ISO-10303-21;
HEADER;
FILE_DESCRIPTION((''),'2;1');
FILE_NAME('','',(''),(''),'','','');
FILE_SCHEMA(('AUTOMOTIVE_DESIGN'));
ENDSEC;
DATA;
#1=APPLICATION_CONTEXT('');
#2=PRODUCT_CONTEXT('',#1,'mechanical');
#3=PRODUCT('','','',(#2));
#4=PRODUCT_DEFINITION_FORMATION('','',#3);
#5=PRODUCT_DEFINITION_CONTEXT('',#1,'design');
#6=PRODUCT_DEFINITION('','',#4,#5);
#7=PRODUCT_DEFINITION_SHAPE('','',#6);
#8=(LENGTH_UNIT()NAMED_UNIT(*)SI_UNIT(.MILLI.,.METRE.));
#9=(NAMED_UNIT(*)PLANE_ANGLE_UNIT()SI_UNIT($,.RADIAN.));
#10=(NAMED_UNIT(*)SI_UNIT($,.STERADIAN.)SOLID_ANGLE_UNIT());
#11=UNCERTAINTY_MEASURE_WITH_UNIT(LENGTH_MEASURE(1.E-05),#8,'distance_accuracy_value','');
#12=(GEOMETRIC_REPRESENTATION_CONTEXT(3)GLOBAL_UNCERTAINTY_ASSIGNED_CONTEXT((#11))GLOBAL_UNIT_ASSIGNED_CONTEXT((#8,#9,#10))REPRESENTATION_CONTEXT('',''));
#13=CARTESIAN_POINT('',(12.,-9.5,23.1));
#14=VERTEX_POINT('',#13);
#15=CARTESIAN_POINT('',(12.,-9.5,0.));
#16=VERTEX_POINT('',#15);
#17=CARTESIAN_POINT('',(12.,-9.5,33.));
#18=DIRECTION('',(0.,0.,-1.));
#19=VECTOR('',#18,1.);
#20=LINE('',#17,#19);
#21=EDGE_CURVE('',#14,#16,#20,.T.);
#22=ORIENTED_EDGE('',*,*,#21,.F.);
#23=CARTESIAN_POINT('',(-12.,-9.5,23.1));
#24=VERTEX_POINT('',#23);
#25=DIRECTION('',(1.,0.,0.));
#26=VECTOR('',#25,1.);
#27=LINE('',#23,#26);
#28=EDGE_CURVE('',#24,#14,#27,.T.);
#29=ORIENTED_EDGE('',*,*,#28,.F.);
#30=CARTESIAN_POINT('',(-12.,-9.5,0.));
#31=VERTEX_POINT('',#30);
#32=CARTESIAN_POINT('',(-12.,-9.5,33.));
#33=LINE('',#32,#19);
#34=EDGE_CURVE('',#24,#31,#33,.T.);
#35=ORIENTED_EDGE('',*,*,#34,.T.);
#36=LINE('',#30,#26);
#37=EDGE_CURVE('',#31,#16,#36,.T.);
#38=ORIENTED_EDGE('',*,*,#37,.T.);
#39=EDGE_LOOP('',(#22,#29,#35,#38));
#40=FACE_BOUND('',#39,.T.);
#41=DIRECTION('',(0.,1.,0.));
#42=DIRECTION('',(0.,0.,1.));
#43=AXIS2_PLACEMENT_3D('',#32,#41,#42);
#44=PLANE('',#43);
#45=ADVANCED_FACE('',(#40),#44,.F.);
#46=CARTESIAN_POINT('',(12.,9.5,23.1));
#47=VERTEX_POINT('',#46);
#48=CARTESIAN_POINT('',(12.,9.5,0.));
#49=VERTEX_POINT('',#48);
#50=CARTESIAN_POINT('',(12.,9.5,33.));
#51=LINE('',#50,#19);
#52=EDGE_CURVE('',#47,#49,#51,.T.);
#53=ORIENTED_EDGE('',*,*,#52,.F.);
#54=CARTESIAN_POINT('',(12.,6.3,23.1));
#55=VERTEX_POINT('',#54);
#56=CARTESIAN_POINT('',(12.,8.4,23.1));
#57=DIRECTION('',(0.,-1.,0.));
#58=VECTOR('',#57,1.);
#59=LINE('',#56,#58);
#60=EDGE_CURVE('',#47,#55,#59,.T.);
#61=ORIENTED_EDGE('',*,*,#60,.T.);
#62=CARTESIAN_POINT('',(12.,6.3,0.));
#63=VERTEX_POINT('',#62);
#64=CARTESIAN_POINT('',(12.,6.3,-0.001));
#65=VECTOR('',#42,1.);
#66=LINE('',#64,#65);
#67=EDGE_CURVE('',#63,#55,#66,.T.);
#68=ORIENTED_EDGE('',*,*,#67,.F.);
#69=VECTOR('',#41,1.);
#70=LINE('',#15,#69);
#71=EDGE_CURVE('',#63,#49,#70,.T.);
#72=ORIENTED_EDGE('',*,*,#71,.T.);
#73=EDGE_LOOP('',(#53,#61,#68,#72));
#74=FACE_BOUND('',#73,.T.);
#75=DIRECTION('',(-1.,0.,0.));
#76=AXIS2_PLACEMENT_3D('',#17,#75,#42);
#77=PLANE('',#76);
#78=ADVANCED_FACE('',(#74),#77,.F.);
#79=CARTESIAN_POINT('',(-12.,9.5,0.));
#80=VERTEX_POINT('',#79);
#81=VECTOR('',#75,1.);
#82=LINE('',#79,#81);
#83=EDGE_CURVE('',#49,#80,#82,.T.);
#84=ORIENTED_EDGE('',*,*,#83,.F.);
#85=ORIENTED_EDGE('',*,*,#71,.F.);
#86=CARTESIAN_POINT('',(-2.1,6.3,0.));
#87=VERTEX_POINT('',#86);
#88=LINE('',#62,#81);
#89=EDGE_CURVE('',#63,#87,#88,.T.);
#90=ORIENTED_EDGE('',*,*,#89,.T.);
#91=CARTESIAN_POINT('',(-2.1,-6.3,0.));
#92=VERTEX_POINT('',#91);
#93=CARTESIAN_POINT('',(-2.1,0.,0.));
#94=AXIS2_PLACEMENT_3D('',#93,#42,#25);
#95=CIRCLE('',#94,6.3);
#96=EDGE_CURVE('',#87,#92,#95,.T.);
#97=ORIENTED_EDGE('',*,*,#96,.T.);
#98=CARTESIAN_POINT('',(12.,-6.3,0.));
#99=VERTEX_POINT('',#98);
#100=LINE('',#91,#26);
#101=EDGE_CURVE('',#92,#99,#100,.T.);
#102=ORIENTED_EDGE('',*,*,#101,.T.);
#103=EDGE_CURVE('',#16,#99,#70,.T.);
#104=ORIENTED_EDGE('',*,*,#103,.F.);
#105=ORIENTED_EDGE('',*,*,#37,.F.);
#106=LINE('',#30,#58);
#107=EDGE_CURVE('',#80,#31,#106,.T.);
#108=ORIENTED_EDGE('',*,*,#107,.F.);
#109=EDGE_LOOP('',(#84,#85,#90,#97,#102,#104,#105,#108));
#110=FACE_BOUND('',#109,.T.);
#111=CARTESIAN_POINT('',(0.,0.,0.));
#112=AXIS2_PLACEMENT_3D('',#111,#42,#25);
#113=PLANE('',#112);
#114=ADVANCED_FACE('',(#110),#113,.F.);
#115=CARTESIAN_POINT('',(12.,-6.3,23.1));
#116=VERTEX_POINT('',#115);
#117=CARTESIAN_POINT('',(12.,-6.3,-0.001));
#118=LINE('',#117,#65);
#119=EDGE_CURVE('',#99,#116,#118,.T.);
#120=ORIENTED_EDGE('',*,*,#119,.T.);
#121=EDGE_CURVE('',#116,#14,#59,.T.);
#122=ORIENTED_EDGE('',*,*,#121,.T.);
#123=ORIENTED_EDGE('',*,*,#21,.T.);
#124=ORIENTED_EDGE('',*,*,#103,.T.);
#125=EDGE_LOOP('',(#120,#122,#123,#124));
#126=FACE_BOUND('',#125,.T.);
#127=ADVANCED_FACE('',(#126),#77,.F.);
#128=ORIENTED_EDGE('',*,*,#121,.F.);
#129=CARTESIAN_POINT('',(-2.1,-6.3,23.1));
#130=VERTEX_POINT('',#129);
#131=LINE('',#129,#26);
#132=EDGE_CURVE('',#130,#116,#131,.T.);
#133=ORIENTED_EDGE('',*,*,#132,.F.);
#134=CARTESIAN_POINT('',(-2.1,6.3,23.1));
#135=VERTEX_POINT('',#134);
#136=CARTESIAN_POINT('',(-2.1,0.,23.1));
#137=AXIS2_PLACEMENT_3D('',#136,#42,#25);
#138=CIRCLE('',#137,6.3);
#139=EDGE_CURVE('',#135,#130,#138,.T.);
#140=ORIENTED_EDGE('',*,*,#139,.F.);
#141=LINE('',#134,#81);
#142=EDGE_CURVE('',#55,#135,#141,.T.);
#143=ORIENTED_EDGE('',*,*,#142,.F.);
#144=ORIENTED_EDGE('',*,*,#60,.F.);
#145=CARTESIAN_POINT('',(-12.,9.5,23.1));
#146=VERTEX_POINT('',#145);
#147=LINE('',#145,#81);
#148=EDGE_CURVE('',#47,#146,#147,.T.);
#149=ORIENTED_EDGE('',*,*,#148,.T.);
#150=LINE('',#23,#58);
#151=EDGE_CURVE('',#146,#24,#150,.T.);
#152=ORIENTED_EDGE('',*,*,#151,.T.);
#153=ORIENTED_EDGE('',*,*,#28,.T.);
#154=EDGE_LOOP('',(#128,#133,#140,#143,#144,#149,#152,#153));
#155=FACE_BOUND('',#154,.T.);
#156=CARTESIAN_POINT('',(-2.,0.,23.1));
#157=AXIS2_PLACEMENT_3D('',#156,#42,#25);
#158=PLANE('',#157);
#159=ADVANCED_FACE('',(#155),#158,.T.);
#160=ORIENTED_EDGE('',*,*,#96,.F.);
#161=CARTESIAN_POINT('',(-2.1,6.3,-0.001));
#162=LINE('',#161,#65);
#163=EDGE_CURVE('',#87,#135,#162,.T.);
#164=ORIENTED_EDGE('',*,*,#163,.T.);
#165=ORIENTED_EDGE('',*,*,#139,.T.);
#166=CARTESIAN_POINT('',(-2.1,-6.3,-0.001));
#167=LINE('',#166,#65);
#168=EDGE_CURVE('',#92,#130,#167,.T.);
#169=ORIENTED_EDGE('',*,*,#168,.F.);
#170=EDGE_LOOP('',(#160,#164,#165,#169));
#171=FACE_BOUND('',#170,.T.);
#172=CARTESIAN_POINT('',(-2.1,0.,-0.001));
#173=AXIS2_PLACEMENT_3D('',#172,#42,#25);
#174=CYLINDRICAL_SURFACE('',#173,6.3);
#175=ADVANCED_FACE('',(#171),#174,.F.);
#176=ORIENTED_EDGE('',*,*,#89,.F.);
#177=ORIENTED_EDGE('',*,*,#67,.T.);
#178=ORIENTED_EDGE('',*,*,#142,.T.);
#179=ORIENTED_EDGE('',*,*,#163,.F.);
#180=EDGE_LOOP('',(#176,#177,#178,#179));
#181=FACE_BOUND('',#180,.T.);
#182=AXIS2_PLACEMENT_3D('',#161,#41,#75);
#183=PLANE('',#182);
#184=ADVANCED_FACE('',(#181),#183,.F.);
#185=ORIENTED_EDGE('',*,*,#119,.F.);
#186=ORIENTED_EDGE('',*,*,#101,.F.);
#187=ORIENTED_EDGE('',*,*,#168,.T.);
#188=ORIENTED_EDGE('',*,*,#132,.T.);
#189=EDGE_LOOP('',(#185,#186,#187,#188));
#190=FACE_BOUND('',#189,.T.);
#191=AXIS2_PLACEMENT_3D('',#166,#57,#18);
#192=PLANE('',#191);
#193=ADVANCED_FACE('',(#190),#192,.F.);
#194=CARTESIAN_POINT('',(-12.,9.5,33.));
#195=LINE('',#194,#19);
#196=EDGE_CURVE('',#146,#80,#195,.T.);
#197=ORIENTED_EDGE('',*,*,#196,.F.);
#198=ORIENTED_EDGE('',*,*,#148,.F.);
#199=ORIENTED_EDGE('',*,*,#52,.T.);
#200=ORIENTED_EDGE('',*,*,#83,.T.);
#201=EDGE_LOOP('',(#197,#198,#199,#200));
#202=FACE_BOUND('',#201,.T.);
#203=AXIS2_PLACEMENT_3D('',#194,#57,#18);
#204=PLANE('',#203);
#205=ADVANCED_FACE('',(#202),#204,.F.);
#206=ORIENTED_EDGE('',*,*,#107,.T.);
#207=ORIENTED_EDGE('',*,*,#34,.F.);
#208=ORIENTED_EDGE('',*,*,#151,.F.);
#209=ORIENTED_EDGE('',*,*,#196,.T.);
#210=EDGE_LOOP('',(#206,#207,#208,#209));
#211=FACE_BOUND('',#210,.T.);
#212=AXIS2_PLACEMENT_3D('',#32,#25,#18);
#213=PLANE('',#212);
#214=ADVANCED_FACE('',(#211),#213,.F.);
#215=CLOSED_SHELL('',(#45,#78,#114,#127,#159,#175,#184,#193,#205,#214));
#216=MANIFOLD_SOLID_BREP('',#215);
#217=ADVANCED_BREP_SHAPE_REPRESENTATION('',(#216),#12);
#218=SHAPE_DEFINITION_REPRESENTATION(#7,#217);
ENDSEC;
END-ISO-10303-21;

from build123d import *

# Parameters (mm, degrees)
SKETCH_1_24X19_W         = 19
SKETCH_1_24X19_H         = 24
EXTRUDE_1_33_DEPTH       = 33
CUT_EXTRUDE_2_REACH      = 38.377
CUT_EXTRUDE_4_2_DEPTH    = 1.9
CUT_EXTRUDE_6_3_REACH    = 29.71
SKETCH_7_5_W             = 24
SKETCH_7_5_H             = 19
EXTRUDE_7_DEPTH          = 5
CUT_EXTRUDE_10_4_REACH   = 41.925
SKETCH_11_W              = 8.5
SKETCH_11_H              = 3.1
CUT_EXTRUDE_11_5_DEPTH   = 4.9
SKETCH_11D1_W            = 6
SKETCH_11D1_H            = 3.1
CUT_EXTRUDE_11D1_6_DEPTH = 10
CUT_EXTRUDE_12_9_REACH   = 31.655
CUT_EXTRUDE_11_DEPTH     = 3.5
SKETCH_5903_W            = 53.98
SKETCH_5903_H            = 19
CUT_EXTRUDE_12_DEPTH     = 1
CUT_EXTRUDE_13_DEPTH     = 40.102429623
CUT_EXTRUDE_15_REACH     = 33.036
SKETCH_5021_R            = 3.5
EXTRUDE_2_DEPTH          = 0.4
SKETCH_7445_W            = 0.8
SKETCH_7445_H            = 3.1
EXTRUDE_3_DEPTH          = 19
CUT_EXTRUDE_16_DEPTH     = 32.036269144
SKETCH_14_W              = 24
SKETCH_14_H              = 19
CUT_EXTRUDE_19_DEPTH     = 28.710286942


with BuildPart() as part:
    # 1底部方形_24x19 → 1凸台-拉伸_高33 (new body)
    with BuildSketch(Plane(origin=(0, 0, 0), x_dir=(0, 1, 0), z_dir=(0, 0, 1))):
        Rectangle(SKETCH_1_24X19_W, SKETCH_1_24X19_H)
    extrude(amount=EXTRUDE_1_33_DEPTH)

    # 2吸嘴停靠渐变槽 → 2切除-拉伸 (cut, up to next)
    with BuildSketch(Plane.XY.offset(33), mode=Mode.PRIVATE) as cut_extrude_2_sk1:
        with BuildLine():
            Line((12, -5.1), (12, 5.1))
            Line((12, 5.1), (-1.9, 5.1))
            add(Edge.make_bspline(
                [(-5.213938048, 3.830222216), (-3.829124073, 5.093205317), (-1.9, 5.1)],
                knots=[0, 0, 0, 1, 1, 1], degree=2))
            ThreePointArc((-5.213938048, 3.830222216), (-7, 0), (-5.213938048, -3.830222216))
            add(Edge.make_bspline(
                [(-5.213938048, -3.830222216), (-3.829124073, -5.093205317), (-1.9, -5.1)],
                knots=[0, 0, 0, 1, 1, 1], degree=2))
            Line((-1.9, -5.1), (12, -5.1))
        make_face()
    cut_extrude_2_tool1 = extrude(cut_extrude_2_sk1.sketch, amount=-CUT_EXTRUDE_2_REACH, mode=Mode.PRIVATE) & part.part
    add(cut_extrude_2_tool1.solids().sort_by_distance((3.017719, 0, 33))[0], mode=Mode.SUBTRACT)

    # 4反光板停靠槽 → 4切除-拉伸2 (cut)
    with BuildSketch(Plane.XY.offset(25)):
        with BuildLine():
            Line((-0.7, 8.4), (12, 8.4))
            Line((12, 8.4), (12, -8.4))
            Line((12, -8.4), (-0.7, -8.4))
            ThreePointArc((-0.7, -8.4), (-10.5, 0), (-0.7, 8.4))
        make_face()
    extrude(amount=-CUT_EXTRUDE_4_2_DEPTH, mode=Mode.SUBTRACT)

    # 6反光板小圆柱 → 6切除-拉伸3 (cut, up to next)
    with BuildSketch(Plane.XY.offset(23.1), mode=Mode.PRIVATE) as cut_extrude_6_3_sk1:
        with BuildLine():
            Line((-2.1, -6.3), (12, -6.3))
            Line((12, -6.3), (12, 6.3))
            Line((12, 6.3), (-2.1, 6.3))
            ThreePointArc((-2.1, 6.3), (-8.4, 0), (-2.1, -6.3))
        make_face()
    cut_extrude_6_3_tool1 = extrude(cut_extrude_6_3_sk1.sketch, amount=-CUT_EXTRUDE_6_3_REACH, mode=Mode.PRIVATE) & part.part
    add(cut_extrude_6_3_tool1.solids().sort_by_distance((2.424095, 0, 23.1))[0], mode=Mode.SUBTRACT)

    # 7草图5 → 7凸台-拉伸_底板厚度 (add)
    with BuildSketch(Plane(origin=(0, 0, 0), x_dir=(1, 0, 0), z_dir=(0, 0, -1))):
        Rectangle(SKETCH_7_5_W, SKETCH_7_5_H)
    extrude(amount=-EXTRUDE_7_DEPTH)

    # 10切除-拉伸4: up to this face of the body (flat: up to its plane)
    cut_extrude_10_4_end = Plane(part.part.faces().sort_by_distance((0, -9.5, 16.5))[0])
    # Sketch 10 → 10切除-拉伸4 (cut, up to the picked face)
    with BuildSketch(Plane(origin=(0, 9.5, 0), x_dir=(-1, 0, 0), z_dir=(0, 1, 0)), mode=Mode.PRIVATE) as cut_extrude_10_4_sk1:
        Polygon((-12, 31.162738066), (-12, 33), (9, 33), align=None)
    cut_extrude_10_4_tool1 = split(extrude(cut_extrude_10_4_sk1.sketch, amount=-CUT_EXTRUDE_10_4_REACH, mode=Mode.PRIVATE), bisect_by=cut_extrude_10_4_end, keep=Keep.BOTH, mode=Mode.PRIVATE)
    add(cut_extrude_10_4_tool1.solids().sort_by(Axis((5, 9.5, 32.387579), (0, -1, 0)))[0], mode=Mode.SUBTRACT)

    # Sketch 11 → 11切除-拉伸5 (cut)
    with BuildSketch(Plane(origin=(-12, 0, 0), x_dir=(0, -1, 0), z_dir=(-1, 0, 0))):
        with Locations((-5.25, 26.95)):
            Rectangle(SKETCH_11_W, SKETCH_11_H)
        with Locations((5.25, 26.95)):
            Rectangle(SKETCH_11_W, SKETCH_11_H)
    extrude(amount=-CUT_EXTRUDE_11_5_DEPTH, mode=Mode.SUBTRACT)

    # 11d1_磁铁开窗 → 11d1切除-拉伸6 (cut)
    with BuildSketch(Plane(origin=(-12, 0, 0), x_dir=(0, -1, 0), z_dir=(-1, 0, 0))):
        with Locations((0, 26.95)):
            Rectangle(SKETCH_11D1_W, SKETCH_11D1_H)
    extrude(amount=-CUT_EXTRUDE_11D1_6_DEPTH, mode=Mode.SUBTRACT)

    # 12切除薄壁 → 12切除-拉伸9 (cut, up to next)
    with BuildSketch(Plane.XY.offset(25.4), mode=Mode.PRIVATE) as cut_extrude_12_9_sk1:
        with BuildLine():
            Line((-0.7, 8.4), (-0.7, -8.4))
            ThreePointArc((-0.7, -8.4), (-10.5, 0), (-0.7, 8.4))
        make_face()
    cut_extrude_12_9_tool1 = extrude(cut_extrude_12_9_sk1.sketch, amount=-CUT_EXTRUDE_12_9_REACH, mode=Mode.PRIVATE) & part.part
    add(cut_extrude_12_9_tool1.solids().sort_by_distance((-4.916056, 0, 25.4))[0], mode=Mode.SUBTRACT)

    # Sketch 5393 → 切除-拉伸11 (cut)
    with BuildSketch(Plane.XY.offset(33)):
        with BuildLine():
            Line((-2.099999748, 6.5), (12, 6.5))
            Line((12, 6.5), (12, -6.5))
            Line((12, -6.5), (-2.099999748, -6.5))
            ThreePointArc((-2.099999748, -6.5), (-8.6, 0), (-2.099999748, 6.5))
        make_face()
    extrude(amount=-CUT_EXTRUDE_11_DEPTH, mode=Mode.SUBTRACT)

    # Sketch 5903 → 切除-拉伸12 (cut)
    with BuildSketch(Plane.XY.offset(33)):
        with Locations((14.99, 0)):
            Rectangle(SKETCH_5903_W, SKETCH_5903_H)
    extrude(amount=-CUT_EXTRUDE_12_DEPTH, mode=Mode.SUBTRACT)

    # Sketch 6208 → 切除-拉伸13 (cut, through all)
    with BuildSketch(Plane.XZ.offset(9.5)):
        Polygon((2.430052303, 32), (12, 31.162738066), (12, 28.826114347), (-6, 32), align=None)
    extrude(amount=-CUT_EXTRUDE_13_DEPTH, mode=Mode.SUBTRACT)

    # Sketch 5021 → 切除-拉伸15 (cut, up to next)
    with BuildSketch(Plane.XY.offset(5), mode=Mode.PRIVATE) as cut_extrude_15_sk1:
        with Locations((2, 0)):
            Circle(SKETCH_5021_R)
    cut_extrude_15_tool1 = extrude(cut_extrude_15_sk1.sketch, amount=-CUT_EXTRUDE_15_REACH, mode=Mode.PRIVATE) & part.part
    add(cut_extrude_15_tool1.solids().sort_by_distance((2, 0, 5))[0], mode=Mode.SUBTRACT)

    # Sketch 6983 → 凸台-拉伸2 (add)
    with BuildSketch(Plane(origin=(0, 0, 25.4), x_dir=(1, 0, 0), z_dir=(0, 0, -1))):
        with BuildLine():
            Line((-7.1, -3), (-7.1, -6.8))
            ThreePointArc((-7.1, -6.8), (-4.061552813, -8.246211251), (-0.7, -8.4))
            Line((-0.7, -8.4), (-0.7, -5.1))
            Line((-0.7, -5.1), (-1.9, -5.1))
            add(Edge.make_bspline(
                [(-1.9, -5.1), (-3.829124073, -5.093205317), (-5.213938048, -3.830222216)],
                knots=[0, 0, 0, 1, 1, 1], degree=2))
            ThreePointArc((-5.213938048, -3.830222216), (-5.630777158, -3.437652866), (-6, -3))
            Line((-6, -3), (-7.1, -3))
        make_face()
        with BuildLine():
            Line((-7.1, 3), (-6, 3))
            ThreePointArc((-6, 3), (-5.630777158, 3.437652866), (-5.213938048, 3.830222216))
            add(Edge.make_bspline(
                [(-5.213938048, 3.830222216), (-3.829124073, 5.093205317), (-1.9, 5.1)],
                knots=[0, 0, 0, 1, 1, 1], degree=2))
            Line((-1.9, 5.1), (-0.7, 5.1))
            Line((-0.7, 5.1), (-0.7, 8.4))
            ThreePointArc((-0.7, 8.4), (-4.061552813, 8.246211251), (-7.1, 6.8))
            Line((-7.1, 6.8), (-7.1, 3))
        make_face()
    extrude(amount=EXTRUDE_2_DEPTH)

    # Sketch 7445 → 凸台-拉伸3 (add)
    with BuildSketch(Plane.XZ.offset(9.5)):
        with Locations((-11.6, 26.95)):
            Rectangle(SKETCH_7445_W, SKETCH_7445_H)
    extrude(amount=-EXTRUDE_3_DEPTH)

    # 草图13 → 切除-拉伸16 (cut, through all)
    with BuildSketch(Plane.XY.offset(5)):
        with BuildLine():
            Line((-2.1, -6.3), (12, -6.3))
            Line((12, -6.3), (12, 6.3))
            Line((12, 6.3), (-2.1, 6.3))
            ThreePointArc((-2.1, 6.3), (-8.4, 0), (-2.1, -6.3))
        make_face()
    extrude(amount=-CUT_EXTRUDE_16_DEPTH, mode=Mode.SUBTRACT)

    # 草图14 → 切除-拉伸19 (cut, through all)
    with BuildSketch(Plane.XY.offset(23.1)):
        Rectangle(SKETCH_14_W, SKETCH_14_H)
    extrude(amount=CUT_EXTRUDE_19_DEPTH, mode=Mode.SUBTRACT)


solid = part.part
